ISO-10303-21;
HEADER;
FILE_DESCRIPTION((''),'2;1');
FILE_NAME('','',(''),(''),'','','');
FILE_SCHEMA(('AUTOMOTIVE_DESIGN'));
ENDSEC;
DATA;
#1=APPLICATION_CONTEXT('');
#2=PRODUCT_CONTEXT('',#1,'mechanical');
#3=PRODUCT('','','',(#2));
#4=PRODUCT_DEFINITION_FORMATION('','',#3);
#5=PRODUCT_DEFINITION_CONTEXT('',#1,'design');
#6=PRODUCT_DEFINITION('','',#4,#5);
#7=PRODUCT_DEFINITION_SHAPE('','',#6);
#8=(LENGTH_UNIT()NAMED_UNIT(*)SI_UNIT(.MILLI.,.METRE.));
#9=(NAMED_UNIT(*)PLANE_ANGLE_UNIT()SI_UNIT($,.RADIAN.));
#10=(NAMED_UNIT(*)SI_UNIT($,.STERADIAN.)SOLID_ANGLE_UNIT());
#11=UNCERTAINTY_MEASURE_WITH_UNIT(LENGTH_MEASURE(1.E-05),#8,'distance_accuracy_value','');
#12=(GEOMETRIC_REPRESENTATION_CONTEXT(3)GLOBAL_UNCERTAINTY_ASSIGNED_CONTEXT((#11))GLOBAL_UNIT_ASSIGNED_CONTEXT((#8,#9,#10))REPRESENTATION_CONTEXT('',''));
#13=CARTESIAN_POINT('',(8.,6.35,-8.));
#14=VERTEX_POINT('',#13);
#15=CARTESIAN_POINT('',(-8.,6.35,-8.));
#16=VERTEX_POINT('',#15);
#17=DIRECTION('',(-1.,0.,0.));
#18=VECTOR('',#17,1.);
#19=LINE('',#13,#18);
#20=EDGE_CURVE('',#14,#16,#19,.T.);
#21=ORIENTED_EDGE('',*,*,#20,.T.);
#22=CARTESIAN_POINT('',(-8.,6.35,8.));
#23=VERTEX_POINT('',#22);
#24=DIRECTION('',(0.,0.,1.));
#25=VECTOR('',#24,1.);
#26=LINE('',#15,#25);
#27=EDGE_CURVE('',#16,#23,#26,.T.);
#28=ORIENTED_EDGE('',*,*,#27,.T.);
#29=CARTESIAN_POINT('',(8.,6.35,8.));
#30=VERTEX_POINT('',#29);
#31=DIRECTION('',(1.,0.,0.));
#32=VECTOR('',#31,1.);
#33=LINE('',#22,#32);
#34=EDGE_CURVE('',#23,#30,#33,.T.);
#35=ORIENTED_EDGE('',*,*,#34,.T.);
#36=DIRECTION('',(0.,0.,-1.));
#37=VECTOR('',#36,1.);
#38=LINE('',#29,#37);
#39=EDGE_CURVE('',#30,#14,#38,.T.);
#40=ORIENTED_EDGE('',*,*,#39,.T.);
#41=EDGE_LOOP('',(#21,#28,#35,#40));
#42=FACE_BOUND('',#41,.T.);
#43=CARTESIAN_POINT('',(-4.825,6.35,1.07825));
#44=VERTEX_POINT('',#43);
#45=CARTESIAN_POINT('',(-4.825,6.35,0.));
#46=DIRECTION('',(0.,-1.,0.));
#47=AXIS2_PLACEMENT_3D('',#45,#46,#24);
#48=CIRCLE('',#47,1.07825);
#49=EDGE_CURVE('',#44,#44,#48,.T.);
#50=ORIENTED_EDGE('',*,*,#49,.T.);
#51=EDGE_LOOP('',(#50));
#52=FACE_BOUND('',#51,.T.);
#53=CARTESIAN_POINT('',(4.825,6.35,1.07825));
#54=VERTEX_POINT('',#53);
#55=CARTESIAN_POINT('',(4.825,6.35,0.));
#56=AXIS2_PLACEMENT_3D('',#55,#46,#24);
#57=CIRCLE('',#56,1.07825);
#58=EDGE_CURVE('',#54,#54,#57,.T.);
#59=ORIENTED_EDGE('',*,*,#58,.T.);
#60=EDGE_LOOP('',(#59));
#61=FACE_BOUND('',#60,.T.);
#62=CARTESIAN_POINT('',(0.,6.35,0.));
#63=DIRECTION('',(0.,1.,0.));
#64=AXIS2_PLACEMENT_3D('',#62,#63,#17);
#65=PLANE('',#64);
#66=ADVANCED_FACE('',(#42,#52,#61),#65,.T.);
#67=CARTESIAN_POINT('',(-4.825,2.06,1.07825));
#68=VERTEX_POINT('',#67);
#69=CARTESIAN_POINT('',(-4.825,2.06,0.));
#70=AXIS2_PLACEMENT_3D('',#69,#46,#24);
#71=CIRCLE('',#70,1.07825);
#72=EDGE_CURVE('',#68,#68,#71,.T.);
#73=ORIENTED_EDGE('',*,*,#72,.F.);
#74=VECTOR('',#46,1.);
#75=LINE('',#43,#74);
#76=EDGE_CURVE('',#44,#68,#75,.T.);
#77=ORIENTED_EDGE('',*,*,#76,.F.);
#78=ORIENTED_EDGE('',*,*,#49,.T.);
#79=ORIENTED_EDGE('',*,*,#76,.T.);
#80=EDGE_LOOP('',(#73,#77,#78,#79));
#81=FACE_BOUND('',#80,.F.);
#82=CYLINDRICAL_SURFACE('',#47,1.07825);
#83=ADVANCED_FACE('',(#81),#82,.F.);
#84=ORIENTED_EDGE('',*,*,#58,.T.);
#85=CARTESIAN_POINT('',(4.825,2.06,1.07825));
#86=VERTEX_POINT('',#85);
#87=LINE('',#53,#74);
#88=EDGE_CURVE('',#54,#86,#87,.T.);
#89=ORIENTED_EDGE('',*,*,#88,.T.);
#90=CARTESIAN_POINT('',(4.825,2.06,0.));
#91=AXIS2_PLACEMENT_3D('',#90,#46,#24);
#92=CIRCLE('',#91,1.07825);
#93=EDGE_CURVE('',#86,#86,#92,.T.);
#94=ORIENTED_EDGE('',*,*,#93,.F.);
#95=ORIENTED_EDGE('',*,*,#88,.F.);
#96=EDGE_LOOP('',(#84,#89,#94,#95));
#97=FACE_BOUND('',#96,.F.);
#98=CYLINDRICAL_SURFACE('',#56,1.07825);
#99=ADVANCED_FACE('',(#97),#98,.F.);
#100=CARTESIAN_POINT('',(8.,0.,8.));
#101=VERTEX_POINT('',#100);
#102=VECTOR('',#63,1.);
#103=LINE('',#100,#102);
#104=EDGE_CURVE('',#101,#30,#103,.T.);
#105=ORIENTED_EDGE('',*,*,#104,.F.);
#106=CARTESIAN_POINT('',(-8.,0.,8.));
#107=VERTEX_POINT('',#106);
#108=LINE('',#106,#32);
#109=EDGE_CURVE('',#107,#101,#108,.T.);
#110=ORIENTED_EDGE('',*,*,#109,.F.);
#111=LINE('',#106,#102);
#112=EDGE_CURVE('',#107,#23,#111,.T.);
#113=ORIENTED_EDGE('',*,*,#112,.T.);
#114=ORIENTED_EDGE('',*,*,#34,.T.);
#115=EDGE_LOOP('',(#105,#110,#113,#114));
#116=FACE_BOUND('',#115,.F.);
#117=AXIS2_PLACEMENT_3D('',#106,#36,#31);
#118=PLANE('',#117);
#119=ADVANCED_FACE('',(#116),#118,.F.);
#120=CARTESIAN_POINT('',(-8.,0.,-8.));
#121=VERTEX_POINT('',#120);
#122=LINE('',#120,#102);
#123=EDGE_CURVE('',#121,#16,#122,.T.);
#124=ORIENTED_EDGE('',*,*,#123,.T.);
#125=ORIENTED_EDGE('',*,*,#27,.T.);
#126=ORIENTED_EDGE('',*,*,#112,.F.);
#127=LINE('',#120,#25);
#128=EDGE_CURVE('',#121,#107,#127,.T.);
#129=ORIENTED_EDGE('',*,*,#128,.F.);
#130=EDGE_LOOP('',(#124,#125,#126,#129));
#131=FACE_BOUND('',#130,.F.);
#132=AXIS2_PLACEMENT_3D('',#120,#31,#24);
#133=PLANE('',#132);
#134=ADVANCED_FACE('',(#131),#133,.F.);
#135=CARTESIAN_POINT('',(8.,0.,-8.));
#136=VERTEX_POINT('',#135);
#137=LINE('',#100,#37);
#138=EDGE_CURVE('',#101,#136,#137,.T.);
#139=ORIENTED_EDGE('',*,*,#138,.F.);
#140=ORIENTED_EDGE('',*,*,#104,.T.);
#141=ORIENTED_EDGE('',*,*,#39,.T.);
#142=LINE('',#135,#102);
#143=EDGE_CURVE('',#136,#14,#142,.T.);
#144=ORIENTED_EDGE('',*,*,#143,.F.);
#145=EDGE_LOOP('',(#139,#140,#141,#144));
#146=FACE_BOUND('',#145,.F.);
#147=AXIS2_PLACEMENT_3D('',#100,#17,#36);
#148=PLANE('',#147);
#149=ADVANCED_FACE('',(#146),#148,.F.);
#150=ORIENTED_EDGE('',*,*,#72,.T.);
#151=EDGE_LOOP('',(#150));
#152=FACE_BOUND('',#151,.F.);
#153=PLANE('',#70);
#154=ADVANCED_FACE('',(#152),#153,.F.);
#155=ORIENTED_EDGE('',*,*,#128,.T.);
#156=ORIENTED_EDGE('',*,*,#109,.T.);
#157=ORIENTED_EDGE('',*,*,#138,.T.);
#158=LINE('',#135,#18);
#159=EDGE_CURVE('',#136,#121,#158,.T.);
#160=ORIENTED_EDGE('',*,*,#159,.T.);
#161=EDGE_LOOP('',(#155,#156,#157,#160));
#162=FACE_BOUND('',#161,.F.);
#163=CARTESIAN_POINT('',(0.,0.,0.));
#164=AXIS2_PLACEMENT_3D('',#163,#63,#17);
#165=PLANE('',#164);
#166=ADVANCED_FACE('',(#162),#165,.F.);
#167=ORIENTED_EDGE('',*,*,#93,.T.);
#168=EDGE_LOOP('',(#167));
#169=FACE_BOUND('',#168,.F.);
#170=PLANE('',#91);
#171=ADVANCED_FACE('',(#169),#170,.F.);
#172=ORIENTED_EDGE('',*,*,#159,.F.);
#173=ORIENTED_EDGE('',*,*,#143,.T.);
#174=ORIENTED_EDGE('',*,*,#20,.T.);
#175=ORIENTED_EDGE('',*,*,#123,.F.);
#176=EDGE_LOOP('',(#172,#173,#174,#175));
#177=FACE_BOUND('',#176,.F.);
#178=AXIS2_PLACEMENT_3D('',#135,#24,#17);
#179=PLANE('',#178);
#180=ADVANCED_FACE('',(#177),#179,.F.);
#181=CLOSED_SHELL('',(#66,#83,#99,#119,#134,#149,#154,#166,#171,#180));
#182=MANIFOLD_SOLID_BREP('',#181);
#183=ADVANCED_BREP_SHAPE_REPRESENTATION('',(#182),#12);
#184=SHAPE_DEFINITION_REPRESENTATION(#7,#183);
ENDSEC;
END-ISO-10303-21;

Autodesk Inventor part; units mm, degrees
ref_plane "YZ Plane" through (0, 0, 0) normal (1, 0, 0) x (0, 1, 0)
ref_plane "XZ Plane" through (0, 0, 0) normal (0, 1, 0) x (-1, 0, 0)
ref_plane "XY Plane" through (0, 0, 0) normal (0, 0, 1) x (1, 0, 0)
sketch "Sketch1" plane through (0, 0, 0) normal (0, 1, 0) x (-1, 0, 0)
  line L0 (8, 8) -> (-8, 8)
  line L1 (-8, 8) -> (-8, -8)
  line L2 (-8, -8) -> (8, -8)
  line L3 (8, -8) -> (8, 8)
  line L4 (8, 8) -> (-8, -8) construction
  line L5 (-8, 8) -> (8, -8) construction
  point P0 (0, 0)
  dimension "d0" = 16
  dimension "d1" = 16
extrude "Extrusion1" add sketch "Sketch1" along normal blind 6.35
sketch "Sketch2" plane through (0, 6.35, 0) normal (0, 1, 0) x (1, 0, 0)
  line L0 (-8, 8) -> (-8, -8) projected
  line L1 (8, -8) -> (8, 8) projected
  point P0 (0, 0)
  point P1 (-4.825, 0)
  point P2 (4.825, 0)
hole "Hole1" at (-4.825, 6.35, 0) at (4.825, 6.35, 0) direction (0, -1, 0) diameter 2.1565 depth 4.29 thread size "4-40 UNC" class "2B" standard "ANSI Unified Screw Threads"
sketch "Sketch3" plane through (8, 0, -8) normal (0, 0, -1) x (-1, 0, 0)
  point P0 (8, 0)
properties part number "bottom_cu_block" material "Copper"
